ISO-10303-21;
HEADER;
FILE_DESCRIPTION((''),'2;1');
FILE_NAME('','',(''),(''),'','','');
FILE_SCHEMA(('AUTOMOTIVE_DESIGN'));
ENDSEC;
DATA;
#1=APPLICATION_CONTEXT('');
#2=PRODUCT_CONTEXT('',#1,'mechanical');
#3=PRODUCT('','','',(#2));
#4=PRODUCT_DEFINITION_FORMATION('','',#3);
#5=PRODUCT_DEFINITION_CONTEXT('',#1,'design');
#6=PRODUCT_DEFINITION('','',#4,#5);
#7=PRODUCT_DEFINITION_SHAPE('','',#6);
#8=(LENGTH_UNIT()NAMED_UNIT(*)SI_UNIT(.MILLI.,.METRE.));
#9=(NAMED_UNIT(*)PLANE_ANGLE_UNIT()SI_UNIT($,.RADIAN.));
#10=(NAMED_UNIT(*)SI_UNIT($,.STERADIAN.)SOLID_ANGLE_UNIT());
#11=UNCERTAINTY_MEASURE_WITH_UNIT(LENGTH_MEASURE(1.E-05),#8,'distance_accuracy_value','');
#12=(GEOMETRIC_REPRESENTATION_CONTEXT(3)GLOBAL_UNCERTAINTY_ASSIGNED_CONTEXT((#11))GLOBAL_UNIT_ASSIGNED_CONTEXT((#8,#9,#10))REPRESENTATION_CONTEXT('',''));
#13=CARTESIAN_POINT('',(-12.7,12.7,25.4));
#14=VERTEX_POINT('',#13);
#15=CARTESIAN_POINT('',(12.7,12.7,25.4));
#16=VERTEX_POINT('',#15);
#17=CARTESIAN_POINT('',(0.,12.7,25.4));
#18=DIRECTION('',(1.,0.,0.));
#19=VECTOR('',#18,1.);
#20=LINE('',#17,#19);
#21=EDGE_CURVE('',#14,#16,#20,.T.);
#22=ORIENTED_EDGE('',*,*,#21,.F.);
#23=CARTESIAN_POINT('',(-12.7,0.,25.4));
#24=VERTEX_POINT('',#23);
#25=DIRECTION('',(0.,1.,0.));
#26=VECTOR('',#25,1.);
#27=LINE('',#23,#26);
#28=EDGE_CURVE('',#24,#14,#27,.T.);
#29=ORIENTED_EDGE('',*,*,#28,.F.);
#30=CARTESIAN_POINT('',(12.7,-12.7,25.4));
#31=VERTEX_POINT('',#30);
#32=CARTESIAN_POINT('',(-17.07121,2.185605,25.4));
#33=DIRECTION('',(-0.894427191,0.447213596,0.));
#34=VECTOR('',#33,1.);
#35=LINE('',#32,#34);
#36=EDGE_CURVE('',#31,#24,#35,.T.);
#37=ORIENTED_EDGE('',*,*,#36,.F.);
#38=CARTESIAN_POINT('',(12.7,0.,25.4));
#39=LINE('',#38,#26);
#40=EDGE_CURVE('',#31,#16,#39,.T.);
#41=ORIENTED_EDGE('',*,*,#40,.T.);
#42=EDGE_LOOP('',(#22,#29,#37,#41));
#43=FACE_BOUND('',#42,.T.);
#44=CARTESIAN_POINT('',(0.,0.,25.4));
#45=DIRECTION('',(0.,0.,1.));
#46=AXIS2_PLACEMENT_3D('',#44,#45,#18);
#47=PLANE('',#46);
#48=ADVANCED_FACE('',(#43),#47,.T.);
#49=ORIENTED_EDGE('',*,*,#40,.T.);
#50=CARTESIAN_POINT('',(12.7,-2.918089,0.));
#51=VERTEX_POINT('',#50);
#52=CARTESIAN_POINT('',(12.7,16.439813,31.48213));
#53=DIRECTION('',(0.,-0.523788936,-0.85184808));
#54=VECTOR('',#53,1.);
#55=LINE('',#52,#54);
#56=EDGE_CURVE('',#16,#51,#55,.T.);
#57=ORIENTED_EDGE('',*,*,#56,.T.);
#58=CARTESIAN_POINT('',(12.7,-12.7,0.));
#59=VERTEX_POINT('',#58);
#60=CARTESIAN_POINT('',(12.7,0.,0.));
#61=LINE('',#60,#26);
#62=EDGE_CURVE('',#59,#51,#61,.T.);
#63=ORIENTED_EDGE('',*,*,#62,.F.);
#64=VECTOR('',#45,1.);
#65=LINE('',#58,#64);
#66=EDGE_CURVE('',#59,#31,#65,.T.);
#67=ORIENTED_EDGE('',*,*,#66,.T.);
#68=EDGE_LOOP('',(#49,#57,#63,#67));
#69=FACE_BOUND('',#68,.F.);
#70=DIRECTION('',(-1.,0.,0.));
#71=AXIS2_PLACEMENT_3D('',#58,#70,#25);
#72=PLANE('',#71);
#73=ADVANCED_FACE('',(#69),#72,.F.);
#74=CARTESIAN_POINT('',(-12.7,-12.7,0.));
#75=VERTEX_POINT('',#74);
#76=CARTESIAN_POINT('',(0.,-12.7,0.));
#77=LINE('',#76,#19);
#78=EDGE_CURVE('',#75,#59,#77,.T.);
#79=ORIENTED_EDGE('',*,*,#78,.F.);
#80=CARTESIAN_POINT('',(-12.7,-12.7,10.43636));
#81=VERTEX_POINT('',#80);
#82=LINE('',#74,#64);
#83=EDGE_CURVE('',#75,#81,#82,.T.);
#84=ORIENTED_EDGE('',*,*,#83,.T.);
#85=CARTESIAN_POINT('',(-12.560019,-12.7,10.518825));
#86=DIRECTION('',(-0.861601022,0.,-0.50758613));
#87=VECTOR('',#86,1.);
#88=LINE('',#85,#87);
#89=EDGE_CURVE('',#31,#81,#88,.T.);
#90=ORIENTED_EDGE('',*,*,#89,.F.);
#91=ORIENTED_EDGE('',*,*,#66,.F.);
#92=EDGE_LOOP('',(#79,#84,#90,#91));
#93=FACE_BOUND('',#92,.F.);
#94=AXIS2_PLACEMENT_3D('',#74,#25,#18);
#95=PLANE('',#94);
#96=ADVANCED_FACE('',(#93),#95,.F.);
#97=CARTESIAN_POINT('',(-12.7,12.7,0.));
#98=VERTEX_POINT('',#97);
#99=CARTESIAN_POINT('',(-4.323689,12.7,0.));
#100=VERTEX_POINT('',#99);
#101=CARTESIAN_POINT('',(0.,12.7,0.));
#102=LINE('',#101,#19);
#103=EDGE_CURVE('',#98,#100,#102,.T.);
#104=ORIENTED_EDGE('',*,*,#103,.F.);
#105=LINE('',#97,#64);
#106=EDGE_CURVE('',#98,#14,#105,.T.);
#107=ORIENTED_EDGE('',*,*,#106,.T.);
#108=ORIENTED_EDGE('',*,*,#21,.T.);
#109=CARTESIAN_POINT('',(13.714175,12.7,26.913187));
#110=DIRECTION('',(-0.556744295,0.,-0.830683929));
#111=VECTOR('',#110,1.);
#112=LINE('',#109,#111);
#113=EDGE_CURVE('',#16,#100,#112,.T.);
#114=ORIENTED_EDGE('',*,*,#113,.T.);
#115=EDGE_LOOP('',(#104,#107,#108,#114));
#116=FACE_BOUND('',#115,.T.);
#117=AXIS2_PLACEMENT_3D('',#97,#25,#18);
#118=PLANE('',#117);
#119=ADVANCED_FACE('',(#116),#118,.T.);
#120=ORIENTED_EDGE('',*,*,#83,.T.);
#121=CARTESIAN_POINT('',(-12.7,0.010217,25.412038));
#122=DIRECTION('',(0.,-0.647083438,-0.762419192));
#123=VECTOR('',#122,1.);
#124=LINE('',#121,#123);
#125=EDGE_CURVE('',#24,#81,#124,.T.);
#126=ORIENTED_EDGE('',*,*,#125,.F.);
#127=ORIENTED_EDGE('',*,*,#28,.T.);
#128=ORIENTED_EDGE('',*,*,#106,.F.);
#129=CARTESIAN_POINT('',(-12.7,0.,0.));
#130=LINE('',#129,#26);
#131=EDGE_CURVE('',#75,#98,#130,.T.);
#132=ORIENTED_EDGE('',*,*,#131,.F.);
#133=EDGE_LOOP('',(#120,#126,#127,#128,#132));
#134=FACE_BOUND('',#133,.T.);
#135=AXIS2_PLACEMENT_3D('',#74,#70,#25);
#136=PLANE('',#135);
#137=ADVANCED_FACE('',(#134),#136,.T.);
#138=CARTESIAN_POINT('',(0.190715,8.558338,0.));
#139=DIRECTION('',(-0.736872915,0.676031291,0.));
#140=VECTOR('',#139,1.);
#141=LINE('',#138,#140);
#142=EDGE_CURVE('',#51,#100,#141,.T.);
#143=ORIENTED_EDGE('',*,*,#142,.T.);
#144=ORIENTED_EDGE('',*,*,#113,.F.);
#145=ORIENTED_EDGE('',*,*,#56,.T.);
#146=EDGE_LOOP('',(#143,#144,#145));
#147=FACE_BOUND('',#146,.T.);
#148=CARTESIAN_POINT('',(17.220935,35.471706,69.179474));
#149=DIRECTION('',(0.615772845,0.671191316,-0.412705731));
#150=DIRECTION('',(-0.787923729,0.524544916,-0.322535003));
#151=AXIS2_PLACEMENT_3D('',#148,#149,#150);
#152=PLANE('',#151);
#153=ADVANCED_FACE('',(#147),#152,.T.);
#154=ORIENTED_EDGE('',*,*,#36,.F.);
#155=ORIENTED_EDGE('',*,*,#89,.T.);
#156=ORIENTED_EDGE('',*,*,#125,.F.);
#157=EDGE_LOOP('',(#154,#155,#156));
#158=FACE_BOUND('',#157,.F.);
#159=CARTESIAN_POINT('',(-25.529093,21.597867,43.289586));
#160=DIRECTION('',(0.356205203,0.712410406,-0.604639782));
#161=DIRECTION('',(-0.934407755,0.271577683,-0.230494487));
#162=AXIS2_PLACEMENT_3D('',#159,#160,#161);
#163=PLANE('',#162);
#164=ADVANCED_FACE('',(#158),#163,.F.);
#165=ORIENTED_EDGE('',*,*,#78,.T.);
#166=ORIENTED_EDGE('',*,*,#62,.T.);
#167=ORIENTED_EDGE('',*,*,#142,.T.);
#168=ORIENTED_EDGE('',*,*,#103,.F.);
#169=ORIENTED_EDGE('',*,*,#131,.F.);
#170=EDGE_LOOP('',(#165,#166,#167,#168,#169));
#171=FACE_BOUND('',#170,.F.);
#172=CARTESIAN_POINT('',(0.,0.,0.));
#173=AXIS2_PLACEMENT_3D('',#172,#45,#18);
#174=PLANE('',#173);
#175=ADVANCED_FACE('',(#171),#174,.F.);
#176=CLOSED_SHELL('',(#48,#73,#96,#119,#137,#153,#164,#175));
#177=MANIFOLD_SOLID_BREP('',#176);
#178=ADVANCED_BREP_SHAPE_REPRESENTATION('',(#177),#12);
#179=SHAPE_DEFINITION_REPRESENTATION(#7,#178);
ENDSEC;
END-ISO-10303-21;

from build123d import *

# Parameters (mm, degrees)
F0_W      = 25.4
F0_H      = 25.4
F1_DEPTH  = 25.4
F5_W      = 87.4159298837
F5_H      = 133.6338296533
F6_DEPTH  = 25.4
F9_W      = 100.1058854163
F9_H      = 223.7386330962
F10_DEPTH = 25.4


with BuildPart() as f1:
    # F0 (on Top) → F1 (new body)
    with BuildSketch(Plane.XY):
        Rectangle(F0_W, F0_H)
    extrude(amount=F1_DEPTH)

    # F5 (on 3pt) → F6 (cut)
    with BuildSketch(Plane(origin=(-7.0819495099, -14.1638990198, 12.0212404911), x_dir=(-0.9344077554, 0.2715776833, -0.2304944873), z_dir=(0.3562052031, 0.7124104062, -0.6046397824))):
        with Locations((19.7420697659, 46.980433166)):
            Rectangle(F5_W, F5_H)
    extrude(amount=-F6_DEPTH, mode=Mode.SUBTRACT)

    # F9 (on 3pt) → F10 (cut)
    with BuildSketch(Plane(origin=(3.6094875517, 3.9343350679, -2.4191651376), x_dir=(-0.7879237292, 0.5245449158, -0.3225350031), z_dir=(0.6157728453, 0.6711913157, -0.4127057314))):
        with Locations((-17.2750819474, 77.5100886822)):
            Rectangle(F9_W, F9_H)
    extrude(amount=F10_DEPTH, mode=Mode.SUBTRACT)


solid = f1.part
